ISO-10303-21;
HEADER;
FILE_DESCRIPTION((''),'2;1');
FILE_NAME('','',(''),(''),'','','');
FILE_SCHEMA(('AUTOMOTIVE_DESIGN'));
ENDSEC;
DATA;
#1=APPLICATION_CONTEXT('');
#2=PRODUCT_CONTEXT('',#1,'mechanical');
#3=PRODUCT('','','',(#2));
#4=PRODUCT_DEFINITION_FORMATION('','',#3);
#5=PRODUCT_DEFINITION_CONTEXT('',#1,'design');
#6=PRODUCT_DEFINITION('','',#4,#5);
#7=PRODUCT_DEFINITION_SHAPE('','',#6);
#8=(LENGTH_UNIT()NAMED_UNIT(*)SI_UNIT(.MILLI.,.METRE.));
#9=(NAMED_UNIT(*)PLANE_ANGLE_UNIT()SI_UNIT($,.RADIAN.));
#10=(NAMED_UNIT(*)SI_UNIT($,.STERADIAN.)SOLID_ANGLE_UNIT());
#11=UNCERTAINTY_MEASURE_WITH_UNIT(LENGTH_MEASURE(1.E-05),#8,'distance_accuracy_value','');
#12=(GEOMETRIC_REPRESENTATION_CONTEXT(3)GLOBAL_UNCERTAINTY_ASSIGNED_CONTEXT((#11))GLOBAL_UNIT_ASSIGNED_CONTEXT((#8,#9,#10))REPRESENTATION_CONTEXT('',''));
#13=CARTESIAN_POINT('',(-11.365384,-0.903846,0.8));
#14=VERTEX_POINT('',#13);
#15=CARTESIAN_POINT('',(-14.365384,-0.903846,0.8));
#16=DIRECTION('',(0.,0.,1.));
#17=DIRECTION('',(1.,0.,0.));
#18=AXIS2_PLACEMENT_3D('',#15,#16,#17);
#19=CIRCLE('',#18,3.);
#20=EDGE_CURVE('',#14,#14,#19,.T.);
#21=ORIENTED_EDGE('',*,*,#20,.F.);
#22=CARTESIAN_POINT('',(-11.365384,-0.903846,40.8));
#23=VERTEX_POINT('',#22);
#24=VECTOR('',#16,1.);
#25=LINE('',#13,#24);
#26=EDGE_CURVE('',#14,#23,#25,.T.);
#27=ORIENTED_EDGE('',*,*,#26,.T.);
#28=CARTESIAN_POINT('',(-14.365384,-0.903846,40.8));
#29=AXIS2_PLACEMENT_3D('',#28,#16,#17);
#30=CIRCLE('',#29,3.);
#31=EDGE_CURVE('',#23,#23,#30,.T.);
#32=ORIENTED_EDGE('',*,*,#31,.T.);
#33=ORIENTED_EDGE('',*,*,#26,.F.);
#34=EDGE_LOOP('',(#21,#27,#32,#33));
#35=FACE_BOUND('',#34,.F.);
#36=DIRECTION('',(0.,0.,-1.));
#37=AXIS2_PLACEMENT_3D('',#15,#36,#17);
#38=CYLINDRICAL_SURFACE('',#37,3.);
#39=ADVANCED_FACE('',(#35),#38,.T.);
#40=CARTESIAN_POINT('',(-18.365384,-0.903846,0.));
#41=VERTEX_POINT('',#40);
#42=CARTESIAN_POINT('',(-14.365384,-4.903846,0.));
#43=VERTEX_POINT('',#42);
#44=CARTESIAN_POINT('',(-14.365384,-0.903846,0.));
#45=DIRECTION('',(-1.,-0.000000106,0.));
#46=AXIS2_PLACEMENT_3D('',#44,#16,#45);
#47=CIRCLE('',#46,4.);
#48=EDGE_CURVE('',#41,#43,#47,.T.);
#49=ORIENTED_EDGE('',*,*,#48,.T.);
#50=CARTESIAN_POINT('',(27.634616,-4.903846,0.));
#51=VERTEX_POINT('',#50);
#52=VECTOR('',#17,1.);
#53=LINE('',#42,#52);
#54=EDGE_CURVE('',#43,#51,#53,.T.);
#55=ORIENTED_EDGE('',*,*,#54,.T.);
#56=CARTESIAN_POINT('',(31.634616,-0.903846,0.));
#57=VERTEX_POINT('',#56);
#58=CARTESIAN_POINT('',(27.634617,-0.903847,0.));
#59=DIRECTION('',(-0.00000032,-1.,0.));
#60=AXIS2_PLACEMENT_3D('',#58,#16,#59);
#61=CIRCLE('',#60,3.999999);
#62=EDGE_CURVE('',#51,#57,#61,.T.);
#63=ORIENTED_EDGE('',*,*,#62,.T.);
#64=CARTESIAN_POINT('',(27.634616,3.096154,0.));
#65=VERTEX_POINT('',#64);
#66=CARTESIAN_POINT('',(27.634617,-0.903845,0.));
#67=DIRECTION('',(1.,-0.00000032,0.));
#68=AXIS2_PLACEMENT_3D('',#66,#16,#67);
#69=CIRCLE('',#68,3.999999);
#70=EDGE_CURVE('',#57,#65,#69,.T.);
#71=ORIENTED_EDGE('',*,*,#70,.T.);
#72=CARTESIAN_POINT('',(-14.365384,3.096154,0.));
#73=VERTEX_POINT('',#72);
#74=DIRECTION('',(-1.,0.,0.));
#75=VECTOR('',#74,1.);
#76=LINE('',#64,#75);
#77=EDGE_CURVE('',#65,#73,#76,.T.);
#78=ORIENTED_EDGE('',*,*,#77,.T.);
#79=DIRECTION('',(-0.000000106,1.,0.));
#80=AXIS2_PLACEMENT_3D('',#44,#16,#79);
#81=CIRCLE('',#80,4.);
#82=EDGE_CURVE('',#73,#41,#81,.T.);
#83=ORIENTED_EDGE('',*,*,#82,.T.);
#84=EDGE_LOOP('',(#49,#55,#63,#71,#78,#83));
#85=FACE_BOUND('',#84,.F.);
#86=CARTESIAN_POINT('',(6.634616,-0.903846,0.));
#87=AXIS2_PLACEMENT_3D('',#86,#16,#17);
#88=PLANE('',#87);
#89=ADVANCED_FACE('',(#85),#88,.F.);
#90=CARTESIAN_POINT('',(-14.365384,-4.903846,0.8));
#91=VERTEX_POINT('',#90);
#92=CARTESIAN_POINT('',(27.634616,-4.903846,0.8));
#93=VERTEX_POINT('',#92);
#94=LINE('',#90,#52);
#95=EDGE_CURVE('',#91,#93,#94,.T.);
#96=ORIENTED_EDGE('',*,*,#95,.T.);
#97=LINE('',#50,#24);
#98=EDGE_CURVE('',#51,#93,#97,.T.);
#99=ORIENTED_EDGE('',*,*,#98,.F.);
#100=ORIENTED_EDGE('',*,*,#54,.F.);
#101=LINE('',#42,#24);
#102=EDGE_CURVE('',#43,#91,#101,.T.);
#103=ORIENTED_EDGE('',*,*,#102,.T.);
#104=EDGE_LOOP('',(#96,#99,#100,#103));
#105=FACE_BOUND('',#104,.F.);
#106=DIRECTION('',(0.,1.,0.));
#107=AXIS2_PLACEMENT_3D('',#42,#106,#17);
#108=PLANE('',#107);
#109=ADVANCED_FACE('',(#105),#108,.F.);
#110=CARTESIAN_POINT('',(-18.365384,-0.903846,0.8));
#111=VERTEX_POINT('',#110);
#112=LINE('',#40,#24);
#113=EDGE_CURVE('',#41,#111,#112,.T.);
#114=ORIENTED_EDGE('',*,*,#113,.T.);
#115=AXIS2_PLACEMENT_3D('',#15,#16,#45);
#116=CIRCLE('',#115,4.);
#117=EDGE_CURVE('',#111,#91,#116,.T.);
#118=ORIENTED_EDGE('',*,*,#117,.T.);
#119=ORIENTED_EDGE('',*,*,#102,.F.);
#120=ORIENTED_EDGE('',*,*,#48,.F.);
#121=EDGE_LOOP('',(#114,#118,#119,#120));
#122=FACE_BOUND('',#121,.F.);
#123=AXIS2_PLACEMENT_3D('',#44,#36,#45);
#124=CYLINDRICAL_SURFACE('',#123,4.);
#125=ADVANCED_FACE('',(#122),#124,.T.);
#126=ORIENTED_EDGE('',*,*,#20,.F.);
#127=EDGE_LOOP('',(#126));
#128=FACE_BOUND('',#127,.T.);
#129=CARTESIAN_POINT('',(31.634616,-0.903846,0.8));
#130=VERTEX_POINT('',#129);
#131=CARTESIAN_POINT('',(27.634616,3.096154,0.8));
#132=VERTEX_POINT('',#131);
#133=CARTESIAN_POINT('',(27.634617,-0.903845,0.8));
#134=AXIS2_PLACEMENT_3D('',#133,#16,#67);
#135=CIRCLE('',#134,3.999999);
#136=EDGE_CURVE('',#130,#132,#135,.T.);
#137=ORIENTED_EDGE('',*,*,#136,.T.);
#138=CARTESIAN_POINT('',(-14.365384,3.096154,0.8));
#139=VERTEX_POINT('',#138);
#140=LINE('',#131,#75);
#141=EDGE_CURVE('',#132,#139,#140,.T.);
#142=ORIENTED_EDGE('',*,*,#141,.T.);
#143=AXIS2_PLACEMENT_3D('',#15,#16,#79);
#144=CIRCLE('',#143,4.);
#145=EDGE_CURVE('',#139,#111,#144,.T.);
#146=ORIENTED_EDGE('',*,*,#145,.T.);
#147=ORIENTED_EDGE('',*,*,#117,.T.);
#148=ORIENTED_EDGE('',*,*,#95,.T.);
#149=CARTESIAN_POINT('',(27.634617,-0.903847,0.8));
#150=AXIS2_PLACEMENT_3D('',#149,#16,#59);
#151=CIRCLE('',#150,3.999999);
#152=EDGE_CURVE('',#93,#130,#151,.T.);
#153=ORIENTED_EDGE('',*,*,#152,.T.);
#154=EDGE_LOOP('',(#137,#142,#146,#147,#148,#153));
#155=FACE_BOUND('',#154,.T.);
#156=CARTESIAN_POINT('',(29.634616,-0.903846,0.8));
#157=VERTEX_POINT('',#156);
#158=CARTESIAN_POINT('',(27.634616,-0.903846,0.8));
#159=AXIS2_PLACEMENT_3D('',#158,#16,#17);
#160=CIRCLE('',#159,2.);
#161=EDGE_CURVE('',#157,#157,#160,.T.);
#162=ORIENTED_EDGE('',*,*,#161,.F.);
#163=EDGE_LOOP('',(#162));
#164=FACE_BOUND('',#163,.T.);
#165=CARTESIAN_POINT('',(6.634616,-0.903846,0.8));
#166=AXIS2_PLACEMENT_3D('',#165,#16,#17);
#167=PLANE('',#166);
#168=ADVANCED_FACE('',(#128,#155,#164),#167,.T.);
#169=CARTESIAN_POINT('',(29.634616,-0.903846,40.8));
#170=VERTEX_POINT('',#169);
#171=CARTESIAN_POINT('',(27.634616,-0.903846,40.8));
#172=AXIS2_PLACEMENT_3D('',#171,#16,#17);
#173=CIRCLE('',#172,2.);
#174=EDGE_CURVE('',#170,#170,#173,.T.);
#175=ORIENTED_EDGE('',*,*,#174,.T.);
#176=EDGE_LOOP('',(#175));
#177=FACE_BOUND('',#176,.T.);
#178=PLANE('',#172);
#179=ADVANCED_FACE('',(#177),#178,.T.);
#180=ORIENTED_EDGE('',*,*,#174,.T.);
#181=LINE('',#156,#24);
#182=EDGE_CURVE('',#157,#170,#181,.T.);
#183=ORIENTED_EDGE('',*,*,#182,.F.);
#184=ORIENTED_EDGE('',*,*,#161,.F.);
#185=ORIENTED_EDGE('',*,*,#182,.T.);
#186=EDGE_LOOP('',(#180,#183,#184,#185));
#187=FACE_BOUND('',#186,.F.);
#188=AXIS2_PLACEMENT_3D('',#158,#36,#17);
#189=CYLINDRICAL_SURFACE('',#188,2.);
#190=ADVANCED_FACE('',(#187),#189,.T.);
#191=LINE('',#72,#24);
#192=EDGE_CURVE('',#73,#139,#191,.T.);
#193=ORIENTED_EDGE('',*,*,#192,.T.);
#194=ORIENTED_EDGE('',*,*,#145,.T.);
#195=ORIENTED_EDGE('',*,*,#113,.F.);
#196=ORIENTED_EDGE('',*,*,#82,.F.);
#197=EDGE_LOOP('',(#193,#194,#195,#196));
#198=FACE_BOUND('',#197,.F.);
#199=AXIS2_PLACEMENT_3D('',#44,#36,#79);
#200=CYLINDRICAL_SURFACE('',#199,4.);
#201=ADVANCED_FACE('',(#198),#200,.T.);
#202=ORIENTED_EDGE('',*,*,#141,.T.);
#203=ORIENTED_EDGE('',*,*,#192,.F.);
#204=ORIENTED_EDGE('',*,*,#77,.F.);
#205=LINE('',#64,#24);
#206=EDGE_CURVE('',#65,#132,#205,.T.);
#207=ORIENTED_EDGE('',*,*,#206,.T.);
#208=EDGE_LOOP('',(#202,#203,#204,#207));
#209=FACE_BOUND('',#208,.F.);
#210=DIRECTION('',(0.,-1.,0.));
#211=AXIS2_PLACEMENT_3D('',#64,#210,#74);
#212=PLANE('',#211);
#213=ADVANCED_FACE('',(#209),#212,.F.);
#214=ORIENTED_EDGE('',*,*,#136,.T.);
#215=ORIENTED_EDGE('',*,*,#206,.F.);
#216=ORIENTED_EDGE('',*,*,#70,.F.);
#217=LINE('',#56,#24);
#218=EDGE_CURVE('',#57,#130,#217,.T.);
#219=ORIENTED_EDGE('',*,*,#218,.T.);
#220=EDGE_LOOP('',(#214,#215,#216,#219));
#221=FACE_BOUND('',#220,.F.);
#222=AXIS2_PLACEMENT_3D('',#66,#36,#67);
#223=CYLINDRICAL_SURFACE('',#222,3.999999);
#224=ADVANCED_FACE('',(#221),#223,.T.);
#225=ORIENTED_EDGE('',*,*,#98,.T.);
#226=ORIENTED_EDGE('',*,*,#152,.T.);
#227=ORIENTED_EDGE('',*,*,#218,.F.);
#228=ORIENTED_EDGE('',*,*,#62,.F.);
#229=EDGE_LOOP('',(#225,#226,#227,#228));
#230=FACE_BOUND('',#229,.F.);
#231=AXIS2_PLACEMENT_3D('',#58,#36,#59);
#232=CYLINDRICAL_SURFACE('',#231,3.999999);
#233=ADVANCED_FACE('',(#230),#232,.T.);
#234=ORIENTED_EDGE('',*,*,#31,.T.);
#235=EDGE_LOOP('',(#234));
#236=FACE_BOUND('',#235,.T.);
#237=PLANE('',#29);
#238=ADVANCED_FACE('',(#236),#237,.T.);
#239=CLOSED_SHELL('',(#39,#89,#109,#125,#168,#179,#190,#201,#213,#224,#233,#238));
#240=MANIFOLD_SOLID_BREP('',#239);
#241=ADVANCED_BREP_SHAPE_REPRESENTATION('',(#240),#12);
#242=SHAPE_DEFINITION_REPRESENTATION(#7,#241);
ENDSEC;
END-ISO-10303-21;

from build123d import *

# Parameters (mm, degrees)
F1_DEPTH = 0.8
F2_R     = 3
F2_R_2   = 2
F3_DEPTH = 40


with BuildPart() as f1:
    # F0 (on Top) → F1 (new body)
    with BuildSketch(Plane.XY):
        with BuildLine():
            Line((27.634616, 3.096154), (-14.365384, 3.096154))
            ThreePointArc((-14.365384, 3.096154), (-17.193811, 1.924581), (-18.365384, -0.903846))
            ThreePointArc((-18.365384, -0.903846), (-17.193811, -3.732273), (-14.365384, -4.903846))
            Line((-14.365384, -4.903846), (27.634616, -4.903846))
            ThreePointArc((27.634616, -4.903846), (30.463044, -3.732273), (31.634616, -0.903846))
            ThreePointArc((31.634616, -0.903846), (30.463044, 1.924581), (27.634616, 3.096154))
        make_face()
    extrude(amount=F1_DEPTH)

    # F2 (on face) → F3 (join)
    with BuildSketch(Plane.XY.offset(0.8)):
        with Locations((-14.365384, -0.903846)):
            Circle(F2_R)
        with Locations((27.634616, -0.903846)):
            Circle(F2_R_2)
    extrude(amount=F3_DEPTH)


solid = f1.part
